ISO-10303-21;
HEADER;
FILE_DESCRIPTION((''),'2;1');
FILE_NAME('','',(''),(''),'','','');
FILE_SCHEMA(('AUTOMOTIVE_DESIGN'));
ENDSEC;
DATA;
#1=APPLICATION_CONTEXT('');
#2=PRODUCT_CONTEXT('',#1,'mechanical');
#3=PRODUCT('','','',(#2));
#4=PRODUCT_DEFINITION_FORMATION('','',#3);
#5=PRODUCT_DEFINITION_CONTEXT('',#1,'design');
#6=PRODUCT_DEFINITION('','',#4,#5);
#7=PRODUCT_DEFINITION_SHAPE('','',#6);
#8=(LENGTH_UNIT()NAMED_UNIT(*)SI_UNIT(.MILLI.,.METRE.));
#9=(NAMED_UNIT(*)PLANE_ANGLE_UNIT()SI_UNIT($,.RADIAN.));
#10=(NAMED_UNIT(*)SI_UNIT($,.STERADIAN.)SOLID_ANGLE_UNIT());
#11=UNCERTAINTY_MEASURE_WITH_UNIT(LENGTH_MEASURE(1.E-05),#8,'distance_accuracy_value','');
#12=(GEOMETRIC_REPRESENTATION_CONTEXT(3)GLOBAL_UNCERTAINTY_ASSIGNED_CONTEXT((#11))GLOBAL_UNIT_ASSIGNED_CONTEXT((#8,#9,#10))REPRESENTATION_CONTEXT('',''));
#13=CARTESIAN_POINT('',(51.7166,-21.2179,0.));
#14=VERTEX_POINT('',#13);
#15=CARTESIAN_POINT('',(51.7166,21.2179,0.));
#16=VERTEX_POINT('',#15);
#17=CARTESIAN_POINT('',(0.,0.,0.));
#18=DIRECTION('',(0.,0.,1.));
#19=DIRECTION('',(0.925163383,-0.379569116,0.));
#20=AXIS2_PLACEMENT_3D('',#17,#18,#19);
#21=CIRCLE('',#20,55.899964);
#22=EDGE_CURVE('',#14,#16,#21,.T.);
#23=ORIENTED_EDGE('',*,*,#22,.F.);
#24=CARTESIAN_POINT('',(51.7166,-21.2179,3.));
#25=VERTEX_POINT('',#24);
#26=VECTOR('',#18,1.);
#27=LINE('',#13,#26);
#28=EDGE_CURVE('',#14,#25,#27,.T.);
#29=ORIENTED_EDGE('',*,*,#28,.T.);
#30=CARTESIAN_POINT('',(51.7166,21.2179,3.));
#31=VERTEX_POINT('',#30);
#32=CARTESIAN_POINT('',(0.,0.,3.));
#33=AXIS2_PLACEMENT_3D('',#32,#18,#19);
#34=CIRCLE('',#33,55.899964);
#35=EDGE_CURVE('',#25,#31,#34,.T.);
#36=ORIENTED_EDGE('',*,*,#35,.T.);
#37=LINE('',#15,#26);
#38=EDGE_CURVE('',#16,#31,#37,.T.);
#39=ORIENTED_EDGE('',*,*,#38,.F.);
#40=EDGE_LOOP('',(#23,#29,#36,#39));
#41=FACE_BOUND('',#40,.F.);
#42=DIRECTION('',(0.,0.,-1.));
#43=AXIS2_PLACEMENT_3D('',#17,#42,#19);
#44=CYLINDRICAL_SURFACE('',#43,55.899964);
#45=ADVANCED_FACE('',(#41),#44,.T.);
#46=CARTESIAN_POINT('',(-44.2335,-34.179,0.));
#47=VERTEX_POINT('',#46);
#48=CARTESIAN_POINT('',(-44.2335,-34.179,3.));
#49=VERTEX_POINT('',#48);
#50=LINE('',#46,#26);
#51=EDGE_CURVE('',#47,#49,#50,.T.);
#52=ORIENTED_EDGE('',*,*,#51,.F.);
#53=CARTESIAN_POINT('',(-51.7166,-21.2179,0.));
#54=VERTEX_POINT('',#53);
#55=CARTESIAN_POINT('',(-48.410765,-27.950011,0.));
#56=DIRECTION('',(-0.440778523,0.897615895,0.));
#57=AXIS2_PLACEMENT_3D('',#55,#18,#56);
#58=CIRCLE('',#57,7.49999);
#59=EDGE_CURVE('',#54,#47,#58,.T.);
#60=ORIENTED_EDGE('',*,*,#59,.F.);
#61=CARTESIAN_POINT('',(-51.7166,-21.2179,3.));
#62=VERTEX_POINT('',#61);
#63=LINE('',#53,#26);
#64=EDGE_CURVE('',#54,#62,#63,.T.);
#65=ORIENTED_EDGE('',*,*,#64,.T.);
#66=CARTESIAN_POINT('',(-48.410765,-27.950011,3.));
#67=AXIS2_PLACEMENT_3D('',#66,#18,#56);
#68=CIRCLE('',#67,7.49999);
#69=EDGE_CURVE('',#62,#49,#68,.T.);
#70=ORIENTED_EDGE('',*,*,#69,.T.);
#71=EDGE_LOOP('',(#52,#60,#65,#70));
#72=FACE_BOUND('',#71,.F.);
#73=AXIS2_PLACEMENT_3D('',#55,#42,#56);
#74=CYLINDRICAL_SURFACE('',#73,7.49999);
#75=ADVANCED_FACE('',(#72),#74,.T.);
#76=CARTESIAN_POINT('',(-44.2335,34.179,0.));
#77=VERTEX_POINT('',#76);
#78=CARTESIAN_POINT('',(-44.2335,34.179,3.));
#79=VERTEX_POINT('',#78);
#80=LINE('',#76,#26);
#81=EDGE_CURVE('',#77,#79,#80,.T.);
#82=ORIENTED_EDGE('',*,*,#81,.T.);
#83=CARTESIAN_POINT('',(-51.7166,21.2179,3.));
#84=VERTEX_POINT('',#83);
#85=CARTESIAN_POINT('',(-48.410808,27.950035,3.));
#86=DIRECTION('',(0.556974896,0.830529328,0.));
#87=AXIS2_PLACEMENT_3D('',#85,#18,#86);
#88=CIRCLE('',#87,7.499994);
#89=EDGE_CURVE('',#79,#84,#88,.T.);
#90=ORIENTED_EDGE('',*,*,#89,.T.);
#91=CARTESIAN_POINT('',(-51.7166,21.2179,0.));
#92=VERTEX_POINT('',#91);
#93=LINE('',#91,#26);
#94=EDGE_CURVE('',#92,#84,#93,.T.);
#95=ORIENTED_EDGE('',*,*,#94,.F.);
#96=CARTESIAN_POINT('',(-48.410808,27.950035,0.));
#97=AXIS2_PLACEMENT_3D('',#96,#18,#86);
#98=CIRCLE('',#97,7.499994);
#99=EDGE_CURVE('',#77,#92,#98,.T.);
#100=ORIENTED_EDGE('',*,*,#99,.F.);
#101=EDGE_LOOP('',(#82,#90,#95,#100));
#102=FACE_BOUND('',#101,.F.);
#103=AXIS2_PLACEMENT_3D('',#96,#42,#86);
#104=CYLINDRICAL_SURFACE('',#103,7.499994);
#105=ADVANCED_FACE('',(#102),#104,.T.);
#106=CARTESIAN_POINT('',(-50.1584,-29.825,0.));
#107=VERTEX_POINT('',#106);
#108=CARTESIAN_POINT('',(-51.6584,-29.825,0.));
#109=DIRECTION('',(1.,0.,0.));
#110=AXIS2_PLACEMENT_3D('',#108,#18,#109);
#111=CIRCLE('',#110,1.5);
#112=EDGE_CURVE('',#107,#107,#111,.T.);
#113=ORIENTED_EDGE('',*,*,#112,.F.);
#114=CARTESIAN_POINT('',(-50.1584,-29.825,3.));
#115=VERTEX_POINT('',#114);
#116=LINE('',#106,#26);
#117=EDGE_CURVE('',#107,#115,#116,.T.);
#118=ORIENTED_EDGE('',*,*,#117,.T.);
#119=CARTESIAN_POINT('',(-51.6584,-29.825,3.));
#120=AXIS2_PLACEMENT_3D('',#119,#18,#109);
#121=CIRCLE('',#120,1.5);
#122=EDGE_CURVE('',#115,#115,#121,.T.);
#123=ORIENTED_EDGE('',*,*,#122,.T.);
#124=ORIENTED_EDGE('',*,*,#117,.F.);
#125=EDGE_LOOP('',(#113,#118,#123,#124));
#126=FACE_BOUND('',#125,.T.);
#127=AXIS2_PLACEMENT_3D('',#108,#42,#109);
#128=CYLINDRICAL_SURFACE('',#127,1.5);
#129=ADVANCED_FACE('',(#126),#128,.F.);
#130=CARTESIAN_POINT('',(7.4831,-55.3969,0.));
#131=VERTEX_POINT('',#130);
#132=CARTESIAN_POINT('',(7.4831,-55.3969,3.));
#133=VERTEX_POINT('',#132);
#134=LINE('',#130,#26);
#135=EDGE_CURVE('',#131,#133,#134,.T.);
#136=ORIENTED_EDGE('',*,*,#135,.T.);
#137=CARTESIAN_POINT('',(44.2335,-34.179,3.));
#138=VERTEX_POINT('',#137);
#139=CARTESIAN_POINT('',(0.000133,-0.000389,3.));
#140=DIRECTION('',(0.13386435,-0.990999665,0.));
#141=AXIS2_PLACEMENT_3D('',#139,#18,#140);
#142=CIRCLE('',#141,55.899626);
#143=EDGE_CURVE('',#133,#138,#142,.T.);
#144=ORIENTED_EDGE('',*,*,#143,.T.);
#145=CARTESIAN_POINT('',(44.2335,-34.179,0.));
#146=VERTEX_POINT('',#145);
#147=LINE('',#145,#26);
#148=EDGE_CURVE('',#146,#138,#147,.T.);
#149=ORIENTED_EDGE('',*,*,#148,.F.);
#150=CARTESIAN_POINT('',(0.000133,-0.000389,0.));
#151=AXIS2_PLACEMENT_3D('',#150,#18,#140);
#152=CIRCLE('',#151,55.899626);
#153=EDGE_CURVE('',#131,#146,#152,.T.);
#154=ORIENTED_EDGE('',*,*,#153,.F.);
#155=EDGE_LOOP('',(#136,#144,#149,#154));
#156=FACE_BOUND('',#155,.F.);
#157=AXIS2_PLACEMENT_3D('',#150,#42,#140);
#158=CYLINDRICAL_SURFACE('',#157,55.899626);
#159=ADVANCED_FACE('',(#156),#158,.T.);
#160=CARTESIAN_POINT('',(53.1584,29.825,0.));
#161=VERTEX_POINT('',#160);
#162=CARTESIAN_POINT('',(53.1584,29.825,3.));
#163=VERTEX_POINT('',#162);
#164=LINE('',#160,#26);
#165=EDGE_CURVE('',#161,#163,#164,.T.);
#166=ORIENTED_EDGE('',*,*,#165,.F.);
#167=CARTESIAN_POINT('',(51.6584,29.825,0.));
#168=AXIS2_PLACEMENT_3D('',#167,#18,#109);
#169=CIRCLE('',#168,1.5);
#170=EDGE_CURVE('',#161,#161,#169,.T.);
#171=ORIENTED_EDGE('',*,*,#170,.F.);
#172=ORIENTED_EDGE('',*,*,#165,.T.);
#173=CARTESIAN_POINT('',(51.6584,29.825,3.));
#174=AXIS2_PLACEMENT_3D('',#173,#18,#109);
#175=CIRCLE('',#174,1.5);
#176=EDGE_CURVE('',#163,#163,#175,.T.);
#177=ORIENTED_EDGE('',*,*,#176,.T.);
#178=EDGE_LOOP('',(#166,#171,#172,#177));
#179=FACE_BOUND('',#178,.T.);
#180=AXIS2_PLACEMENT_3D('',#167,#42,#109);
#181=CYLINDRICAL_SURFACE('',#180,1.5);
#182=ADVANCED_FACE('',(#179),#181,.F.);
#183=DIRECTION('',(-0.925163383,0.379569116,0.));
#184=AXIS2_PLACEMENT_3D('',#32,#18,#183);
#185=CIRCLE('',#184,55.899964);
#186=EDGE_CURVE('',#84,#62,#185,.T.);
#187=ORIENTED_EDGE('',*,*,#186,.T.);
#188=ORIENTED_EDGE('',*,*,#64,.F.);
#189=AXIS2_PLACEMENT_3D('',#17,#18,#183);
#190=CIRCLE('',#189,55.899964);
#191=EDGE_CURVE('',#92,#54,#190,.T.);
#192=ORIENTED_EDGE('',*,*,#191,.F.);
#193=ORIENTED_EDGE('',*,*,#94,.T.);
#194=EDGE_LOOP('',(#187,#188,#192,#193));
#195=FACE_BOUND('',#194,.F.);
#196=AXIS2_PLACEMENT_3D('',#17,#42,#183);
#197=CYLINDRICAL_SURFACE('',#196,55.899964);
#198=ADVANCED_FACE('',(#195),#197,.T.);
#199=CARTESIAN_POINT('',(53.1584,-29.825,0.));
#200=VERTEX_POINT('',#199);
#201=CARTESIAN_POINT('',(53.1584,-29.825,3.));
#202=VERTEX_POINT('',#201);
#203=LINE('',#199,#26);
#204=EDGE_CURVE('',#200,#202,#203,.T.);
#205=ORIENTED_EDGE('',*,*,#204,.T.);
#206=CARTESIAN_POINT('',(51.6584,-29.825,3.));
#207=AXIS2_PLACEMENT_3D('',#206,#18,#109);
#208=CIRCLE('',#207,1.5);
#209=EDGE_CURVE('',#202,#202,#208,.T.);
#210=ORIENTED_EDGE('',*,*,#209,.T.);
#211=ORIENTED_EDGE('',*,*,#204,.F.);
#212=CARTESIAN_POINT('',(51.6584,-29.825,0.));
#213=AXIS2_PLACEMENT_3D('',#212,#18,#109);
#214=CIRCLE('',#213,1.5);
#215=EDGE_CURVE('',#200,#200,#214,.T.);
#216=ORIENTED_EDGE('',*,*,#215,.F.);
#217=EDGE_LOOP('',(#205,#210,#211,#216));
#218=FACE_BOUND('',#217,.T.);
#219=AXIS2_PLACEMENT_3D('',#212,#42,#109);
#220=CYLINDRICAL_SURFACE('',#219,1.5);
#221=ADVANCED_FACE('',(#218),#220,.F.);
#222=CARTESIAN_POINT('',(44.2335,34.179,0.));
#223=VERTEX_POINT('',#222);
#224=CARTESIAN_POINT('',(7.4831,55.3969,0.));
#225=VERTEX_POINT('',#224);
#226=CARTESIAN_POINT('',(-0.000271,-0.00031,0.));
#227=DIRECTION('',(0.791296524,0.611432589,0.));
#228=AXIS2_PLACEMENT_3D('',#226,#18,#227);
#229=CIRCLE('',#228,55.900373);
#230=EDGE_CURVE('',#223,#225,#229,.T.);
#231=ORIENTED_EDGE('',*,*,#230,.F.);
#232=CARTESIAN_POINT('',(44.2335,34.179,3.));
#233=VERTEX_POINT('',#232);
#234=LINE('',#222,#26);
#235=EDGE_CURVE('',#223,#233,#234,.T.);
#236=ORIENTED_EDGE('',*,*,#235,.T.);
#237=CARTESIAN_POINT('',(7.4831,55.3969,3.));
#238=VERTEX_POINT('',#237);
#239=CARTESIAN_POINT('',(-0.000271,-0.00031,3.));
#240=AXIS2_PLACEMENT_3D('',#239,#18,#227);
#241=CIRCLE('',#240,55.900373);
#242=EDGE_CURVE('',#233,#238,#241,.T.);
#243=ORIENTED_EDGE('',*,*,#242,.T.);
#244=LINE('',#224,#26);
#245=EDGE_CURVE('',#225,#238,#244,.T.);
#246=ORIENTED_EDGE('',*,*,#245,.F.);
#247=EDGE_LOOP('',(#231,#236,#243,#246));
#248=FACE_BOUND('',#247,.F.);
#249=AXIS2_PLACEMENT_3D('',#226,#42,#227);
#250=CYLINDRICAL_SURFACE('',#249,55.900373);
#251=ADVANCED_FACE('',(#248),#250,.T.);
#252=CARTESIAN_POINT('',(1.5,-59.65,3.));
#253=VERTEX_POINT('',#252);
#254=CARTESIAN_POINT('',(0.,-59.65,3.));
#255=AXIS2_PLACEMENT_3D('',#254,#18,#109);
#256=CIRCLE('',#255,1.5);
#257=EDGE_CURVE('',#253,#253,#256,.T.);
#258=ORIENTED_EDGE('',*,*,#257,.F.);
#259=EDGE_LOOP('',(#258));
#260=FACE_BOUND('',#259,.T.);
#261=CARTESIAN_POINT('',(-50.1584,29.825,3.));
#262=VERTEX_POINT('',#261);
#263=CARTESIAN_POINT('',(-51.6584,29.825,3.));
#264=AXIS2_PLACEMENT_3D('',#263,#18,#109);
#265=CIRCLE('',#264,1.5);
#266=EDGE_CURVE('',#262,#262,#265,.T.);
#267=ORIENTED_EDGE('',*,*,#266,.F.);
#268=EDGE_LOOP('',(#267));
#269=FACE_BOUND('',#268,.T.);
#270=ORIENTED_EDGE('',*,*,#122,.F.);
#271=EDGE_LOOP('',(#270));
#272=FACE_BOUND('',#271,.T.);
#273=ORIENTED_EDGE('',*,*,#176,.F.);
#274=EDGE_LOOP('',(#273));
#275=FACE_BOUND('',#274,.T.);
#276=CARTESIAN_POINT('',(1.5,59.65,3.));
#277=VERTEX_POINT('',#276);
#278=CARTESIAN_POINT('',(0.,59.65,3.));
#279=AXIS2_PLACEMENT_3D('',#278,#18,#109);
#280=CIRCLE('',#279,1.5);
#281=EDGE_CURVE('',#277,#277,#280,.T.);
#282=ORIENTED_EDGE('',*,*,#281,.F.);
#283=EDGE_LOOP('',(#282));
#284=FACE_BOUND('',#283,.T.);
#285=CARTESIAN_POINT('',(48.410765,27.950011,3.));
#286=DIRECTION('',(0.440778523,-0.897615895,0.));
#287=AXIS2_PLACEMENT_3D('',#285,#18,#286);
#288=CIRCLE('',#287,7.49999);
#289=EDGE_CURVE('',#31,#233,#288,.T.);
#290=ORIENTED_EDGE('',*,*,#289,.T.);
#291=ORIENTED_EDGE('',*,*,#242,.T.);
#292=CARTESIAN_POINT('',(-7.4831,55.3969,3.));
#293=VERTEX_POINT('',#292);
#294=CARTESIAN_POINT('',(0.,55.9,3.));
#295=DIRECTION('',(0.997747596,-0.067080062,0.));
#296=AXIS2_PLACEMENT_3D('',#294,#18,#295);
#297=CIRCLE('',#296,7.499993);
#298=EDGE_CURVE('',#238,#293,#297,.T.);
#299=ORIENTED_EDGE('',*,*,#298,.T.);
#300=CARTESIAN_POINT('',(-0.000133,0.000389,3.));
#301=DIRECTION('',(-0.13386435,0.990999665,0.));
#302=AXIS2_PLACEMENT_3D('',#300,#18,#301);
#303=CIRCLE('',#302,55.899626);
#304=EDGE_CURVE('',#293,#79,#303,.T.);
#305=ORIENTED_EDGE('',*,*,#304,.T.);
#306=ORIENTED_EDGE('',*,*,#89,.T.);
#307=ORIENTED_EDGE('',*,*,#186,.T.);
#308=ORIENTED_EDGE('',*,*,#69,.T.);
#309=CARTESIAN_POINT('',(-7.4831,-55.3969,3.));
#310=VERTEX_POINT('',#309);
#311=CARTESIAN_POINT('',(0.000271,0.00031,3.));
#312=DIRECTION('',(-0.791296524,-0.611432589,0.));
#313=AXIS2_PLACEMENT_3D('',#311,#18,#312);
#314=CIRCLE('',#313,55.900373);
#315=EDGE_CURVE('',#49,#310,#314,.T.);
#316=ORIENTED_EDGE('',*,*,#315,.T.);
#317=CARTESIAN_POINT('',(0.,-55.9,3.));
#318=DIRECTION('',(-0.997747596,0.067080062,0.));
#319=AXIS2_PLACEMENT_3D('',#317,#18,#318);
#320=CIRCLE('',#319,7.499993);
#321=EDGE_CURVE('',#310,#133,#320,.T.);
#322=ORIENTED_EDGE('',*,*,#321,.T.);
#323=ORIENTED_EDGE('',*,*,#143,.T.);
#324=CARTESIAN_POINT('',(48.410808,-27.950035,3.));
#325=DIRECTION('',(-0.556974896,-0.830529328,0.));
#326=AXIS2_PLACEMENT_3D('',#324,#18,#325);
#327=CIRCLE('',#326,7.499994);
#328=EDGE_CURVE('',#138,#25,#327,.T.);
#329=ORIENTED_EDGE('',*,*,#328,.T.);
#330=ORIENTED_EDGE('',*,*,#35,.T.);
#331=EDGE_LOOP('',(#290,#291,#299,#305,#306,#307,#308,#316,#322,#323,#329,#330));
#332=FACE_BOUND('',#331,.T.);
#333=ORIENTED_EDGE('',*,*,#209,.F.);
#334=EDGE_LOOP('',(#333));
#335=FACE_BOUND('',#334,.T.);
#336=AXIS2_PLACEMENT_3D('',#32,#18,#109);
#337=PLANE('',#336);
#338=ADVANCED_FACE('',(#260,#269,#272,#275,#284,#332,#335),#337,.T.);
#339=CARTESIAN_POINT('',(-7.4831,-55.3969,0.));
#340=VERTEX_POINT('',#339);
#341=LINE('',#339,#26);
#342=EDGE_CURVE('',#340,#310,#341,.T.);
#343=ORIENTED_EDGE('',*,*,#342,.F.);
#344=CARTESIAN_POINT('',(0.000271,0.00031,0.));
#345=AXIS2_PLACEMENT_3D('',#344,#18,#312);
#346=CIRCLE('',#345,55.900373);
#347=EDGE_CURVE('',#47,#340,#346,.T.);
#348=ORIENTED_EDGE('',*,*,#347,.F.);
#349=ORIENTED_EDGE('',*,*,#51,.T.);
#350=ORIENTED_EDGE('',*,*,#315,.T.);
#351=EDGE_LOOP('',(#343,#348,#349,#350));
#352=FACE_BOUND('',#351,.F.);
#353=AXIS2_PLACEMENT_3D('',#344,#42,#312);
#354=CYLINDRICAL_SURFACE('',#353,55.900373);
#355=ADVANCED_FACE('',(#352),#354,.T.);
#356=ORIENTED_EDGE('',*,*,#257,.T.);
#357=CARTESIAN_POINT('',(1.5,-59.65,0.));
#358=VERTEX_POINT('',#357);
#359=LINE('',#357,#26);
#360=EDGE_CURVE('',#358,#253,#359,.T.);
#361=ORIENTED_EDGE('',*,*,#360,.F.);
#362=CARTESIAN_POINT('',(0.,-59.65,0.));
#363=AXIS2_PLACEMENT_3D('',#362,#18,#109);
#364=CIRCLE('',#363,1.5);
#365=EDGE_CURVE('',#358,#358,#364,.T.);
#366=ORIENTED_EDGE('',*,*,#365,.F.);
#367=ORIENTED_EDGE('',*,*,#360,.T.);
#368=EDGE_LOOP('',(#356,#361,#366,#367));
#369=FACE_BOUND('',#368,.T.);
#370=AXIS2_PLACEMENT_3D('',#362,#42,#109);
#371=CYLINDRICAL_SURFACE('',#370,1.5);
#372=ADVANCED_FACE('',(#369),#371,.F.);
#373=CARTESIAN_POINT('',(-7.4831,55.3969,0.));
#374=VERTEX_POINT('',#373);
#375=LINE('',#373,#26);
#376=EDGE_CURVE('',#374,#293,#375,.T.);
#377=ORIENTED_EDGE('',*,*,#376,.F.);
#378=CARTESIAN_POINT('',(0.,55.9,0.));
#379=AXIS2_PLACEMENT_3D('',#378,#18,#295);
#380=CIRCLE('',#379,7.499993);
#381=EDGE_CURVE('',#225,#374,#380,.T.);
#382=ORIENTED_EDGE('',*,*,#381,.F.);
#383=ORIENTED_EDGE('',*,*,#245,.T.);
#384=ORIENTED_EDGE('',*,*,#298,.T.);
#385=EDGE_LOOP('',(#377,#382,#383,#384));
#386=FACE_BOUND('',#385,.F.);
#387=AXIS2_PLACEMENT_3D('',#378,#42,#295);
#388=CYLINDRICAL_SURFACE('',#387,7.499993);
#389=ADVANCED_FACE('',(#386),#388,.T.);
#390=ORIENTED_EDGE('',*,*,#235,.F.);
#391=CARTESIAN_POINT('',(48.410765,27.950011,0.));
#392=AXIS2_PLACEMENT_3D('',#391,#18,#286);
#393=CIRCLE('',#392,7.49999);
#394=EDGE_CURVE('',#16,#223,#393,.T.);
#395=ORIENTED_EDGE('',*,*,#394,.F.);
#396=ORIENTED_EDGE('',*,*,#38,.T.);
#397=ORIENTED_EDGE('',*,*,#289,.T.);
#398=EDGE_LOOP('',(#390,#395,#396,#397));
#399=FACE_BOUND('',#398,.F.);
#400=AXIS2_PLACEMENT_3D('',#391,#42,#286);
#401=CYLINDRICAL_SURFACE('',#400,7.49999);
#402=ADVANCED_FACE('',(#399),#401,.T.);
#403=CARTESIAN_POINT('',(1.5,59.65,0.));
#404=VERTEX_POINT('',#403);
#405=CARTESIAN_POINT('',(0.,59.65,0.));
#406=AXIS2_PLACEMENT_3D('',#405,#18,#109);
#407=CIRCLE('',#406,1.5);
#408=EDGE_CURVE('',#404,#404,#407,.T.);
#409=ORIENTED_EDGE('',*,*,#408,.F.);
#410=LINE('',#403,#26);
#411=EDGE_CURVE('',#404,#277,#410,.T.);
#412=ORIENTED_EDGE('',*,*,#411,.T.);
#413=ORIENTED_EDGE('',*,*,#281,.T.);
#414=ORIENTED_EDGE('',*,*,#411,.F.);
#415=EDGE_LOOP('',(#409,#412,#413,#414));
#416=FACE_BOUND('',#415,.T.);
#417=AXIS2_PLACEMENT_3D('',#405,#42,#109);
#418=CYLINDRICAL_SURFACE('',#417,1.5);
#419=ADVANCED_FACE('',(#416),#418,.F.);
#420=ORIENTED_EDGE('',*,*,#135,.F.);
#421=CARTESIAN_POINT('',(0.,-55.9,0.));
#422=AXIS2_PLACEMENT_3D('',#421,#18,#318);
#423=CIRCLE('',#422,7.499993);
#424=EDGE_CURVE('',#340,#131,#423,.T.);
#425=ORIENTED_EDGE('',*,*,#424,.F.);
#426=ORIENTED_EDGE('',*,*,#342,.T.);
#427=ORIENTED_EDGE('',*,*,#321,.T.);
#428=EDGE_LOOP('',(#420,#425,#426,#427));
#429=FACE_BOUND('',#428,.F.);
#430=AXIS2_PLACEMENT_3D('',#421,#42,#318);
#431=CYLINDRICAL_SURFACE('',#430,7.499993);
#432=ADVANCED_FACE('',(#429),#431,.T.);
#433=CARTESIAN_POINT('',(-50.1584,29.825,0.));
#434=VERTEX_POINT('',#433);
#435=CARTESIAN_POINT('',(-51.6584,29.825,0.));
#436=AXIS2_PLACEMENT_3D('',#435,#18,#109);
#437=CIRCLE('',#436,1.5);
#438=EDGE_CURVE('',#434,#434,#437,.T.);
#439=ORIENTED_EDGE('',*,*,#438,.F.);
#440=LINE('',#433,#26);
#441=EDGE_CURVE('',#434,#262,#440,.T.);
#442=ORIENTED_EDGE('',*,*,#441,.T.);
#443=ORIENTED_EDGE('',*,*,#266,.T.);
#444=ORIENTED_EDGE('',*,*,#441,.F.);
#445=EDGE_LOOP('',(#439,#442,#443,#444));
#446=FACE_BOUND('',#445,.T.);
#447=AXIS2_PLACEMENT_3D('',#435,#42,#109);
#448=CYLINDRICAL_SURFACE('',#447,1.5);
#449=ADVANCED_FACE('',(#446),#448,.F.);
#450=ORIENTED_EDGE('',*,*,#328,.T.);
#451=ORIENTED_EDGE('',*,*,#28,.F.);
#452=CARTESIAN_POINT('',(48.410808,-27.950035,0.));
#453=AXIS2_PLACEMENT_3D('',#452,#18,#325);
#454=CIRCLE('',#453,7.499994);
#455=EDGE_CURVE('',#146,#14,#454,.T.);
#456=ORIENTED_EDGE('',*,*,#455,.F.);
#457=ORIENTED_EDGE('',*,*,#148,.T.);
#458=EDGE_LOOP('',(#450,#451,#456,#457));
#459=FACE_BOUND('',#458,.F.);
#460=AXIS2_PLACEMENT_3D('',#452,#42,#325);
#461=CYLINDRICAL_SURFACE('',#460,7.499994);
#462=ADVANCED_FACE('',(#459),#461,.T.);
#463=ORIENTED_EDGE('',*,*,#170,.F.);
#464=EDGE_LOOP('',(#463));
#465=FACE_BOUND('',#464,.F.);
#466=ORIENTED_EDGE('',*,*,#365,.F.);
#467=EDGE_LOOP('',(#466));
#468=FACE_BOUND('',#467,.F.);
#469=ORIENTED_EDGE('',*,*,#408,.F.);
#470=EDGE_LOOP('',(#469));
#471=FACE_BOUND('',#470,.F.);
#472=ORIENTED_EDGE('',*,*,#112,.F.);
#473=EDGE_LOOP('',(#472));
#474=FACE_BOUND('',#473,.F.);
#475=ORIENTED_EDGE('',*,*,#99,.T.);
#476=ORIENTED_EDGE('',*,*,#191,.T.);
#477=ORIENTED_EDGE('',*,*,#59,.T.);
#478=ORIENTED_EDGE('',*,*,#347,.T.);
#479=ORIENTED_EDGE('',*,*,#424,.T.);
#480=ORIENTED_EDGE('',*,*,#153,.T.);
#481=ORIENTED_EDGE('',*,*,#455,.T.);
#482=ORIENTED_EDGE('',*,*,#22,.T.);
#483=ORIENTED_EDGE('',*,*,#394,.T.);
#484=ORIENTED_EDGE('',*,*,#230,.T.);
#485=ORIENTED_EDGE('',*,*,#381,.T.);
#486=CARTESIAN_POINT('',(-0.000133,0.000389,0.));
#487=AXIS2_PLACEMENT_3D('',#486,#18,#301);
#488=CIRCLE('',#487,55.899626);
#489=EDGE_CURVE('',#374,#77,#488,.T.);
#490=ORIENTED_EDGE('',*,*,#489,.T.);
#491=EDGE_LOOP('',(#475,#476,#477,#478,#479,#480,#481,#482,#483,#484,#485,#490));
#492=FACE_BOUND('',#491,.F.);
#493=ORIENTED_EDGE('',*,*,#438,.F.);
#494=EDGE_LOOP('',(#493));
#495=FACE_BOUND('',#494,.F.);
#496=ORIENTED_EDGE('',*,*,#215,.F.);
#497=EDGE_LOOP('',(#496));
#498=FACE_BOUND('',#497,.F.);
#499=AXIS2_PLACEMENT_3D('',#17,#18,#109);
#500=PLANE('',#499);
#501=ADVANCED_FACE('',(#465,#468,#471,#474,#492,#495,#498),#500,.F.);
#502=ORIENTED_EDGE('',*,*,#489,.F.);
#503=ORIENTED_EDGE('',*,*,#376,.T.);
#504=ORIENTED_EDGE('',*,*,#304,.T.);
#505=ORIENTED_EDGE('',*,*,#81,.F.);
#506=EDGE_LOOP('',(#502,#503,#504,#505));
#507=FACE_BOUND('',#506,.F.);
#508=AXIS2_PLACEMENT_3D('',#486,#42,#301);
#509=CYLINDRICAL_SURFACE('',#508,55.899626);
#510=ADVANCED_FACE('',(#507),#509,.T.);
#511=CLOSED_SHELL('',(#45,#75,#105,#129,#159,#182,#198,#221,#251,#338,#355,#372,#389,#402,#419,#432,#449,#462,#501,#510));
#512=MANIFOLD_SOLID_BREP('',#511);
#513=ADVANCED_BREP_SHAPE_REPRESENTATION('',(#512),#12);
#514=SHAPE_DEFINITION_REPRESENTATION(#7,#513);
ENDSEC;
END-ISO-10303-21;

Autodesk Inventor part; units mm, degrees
ref_plane "YZ Plane" through (0, 0, 0) normal (1, 0, 0) x (0, 1, 0)
ref_plane "XZ Plane" through (0, 0, 0) normal (0, 1, 0) x (-1, 0, 0)
ref_plane "XY Plane" through (0, 0, 0) normal (0, 0, 1) x (1, 0, 0)
sketch "Sketch2" plane through (0, 0, 0) normal (0, 0, 1) x (1, 0, 0)
  arc A0 (7.4831, 55.3969) -> (-7.4831, 55.3969) centre (0, 55.9) ccw
  circle A1 centre (0, 59.65) radius 1.5
  arc A2 (-44.2335, 34.179) -> (-51.7166, 21.2179) centre (-48.4108, 27.95) ccw
  circle A3 centre (-51.6584, 29.825) radius 1.5
  arc A4 (-51.7166, -21.2179) -> (-44.2335, -34.179) centre (-48.4108, -27.95) ccw
  circle A5 centre (-51.6584, -29.825) radius 1.5
  arc A6 (-7.4831, -55.3969) -> (7.4831, -55.3969) centre (0, -55.9) ccw
  circle A7 centre (0, -59.65) radius 1.5
  arc A8 (44.2335, -34.179) -> (51.7166, -21.2179) centre (48.4108, -27.95) ccw
  circle A9 centre (51.6584, -29.825) radius 1.5
  arc A10 (51.7166, 21.2179) -> (44.2335, 34.179) centre (48.4108, 27.95) ccw
  circle A11 centre (51.6584, 29.825) radius 1.5
  arc A12 (-7.4831, 55.3969) -> (-44.2335, 34.179) centre (0, 0) ccw
  arc A13 (-51.7166, 21.2179) -> (-51.7166, -21.2179) centre (0, 0) ccw
  arc A14 (-44.2335, -34.179) -> (-7.4831, -55.3969) centre (0, 0) ccw
  arc A15 (7.4831, -55.3969) -> (44.2335, -34.179) centre (0, 0) ccw
  arc A16 (51.7166, -21.2179) -> (51.7166, 21.2179) centre (0, 0) ccw
  arc A17 (44.2335, 34.179) -> (7.4831, 55.3969) centre (0, 0) ccw
  dimension "d12" = 3
  dimension "d15" = 360
  dimension "d20" = 55.9
extrude "Extrusion1" add sketch "Sketch2" along normal blind 3
properties part number "base_plate"
